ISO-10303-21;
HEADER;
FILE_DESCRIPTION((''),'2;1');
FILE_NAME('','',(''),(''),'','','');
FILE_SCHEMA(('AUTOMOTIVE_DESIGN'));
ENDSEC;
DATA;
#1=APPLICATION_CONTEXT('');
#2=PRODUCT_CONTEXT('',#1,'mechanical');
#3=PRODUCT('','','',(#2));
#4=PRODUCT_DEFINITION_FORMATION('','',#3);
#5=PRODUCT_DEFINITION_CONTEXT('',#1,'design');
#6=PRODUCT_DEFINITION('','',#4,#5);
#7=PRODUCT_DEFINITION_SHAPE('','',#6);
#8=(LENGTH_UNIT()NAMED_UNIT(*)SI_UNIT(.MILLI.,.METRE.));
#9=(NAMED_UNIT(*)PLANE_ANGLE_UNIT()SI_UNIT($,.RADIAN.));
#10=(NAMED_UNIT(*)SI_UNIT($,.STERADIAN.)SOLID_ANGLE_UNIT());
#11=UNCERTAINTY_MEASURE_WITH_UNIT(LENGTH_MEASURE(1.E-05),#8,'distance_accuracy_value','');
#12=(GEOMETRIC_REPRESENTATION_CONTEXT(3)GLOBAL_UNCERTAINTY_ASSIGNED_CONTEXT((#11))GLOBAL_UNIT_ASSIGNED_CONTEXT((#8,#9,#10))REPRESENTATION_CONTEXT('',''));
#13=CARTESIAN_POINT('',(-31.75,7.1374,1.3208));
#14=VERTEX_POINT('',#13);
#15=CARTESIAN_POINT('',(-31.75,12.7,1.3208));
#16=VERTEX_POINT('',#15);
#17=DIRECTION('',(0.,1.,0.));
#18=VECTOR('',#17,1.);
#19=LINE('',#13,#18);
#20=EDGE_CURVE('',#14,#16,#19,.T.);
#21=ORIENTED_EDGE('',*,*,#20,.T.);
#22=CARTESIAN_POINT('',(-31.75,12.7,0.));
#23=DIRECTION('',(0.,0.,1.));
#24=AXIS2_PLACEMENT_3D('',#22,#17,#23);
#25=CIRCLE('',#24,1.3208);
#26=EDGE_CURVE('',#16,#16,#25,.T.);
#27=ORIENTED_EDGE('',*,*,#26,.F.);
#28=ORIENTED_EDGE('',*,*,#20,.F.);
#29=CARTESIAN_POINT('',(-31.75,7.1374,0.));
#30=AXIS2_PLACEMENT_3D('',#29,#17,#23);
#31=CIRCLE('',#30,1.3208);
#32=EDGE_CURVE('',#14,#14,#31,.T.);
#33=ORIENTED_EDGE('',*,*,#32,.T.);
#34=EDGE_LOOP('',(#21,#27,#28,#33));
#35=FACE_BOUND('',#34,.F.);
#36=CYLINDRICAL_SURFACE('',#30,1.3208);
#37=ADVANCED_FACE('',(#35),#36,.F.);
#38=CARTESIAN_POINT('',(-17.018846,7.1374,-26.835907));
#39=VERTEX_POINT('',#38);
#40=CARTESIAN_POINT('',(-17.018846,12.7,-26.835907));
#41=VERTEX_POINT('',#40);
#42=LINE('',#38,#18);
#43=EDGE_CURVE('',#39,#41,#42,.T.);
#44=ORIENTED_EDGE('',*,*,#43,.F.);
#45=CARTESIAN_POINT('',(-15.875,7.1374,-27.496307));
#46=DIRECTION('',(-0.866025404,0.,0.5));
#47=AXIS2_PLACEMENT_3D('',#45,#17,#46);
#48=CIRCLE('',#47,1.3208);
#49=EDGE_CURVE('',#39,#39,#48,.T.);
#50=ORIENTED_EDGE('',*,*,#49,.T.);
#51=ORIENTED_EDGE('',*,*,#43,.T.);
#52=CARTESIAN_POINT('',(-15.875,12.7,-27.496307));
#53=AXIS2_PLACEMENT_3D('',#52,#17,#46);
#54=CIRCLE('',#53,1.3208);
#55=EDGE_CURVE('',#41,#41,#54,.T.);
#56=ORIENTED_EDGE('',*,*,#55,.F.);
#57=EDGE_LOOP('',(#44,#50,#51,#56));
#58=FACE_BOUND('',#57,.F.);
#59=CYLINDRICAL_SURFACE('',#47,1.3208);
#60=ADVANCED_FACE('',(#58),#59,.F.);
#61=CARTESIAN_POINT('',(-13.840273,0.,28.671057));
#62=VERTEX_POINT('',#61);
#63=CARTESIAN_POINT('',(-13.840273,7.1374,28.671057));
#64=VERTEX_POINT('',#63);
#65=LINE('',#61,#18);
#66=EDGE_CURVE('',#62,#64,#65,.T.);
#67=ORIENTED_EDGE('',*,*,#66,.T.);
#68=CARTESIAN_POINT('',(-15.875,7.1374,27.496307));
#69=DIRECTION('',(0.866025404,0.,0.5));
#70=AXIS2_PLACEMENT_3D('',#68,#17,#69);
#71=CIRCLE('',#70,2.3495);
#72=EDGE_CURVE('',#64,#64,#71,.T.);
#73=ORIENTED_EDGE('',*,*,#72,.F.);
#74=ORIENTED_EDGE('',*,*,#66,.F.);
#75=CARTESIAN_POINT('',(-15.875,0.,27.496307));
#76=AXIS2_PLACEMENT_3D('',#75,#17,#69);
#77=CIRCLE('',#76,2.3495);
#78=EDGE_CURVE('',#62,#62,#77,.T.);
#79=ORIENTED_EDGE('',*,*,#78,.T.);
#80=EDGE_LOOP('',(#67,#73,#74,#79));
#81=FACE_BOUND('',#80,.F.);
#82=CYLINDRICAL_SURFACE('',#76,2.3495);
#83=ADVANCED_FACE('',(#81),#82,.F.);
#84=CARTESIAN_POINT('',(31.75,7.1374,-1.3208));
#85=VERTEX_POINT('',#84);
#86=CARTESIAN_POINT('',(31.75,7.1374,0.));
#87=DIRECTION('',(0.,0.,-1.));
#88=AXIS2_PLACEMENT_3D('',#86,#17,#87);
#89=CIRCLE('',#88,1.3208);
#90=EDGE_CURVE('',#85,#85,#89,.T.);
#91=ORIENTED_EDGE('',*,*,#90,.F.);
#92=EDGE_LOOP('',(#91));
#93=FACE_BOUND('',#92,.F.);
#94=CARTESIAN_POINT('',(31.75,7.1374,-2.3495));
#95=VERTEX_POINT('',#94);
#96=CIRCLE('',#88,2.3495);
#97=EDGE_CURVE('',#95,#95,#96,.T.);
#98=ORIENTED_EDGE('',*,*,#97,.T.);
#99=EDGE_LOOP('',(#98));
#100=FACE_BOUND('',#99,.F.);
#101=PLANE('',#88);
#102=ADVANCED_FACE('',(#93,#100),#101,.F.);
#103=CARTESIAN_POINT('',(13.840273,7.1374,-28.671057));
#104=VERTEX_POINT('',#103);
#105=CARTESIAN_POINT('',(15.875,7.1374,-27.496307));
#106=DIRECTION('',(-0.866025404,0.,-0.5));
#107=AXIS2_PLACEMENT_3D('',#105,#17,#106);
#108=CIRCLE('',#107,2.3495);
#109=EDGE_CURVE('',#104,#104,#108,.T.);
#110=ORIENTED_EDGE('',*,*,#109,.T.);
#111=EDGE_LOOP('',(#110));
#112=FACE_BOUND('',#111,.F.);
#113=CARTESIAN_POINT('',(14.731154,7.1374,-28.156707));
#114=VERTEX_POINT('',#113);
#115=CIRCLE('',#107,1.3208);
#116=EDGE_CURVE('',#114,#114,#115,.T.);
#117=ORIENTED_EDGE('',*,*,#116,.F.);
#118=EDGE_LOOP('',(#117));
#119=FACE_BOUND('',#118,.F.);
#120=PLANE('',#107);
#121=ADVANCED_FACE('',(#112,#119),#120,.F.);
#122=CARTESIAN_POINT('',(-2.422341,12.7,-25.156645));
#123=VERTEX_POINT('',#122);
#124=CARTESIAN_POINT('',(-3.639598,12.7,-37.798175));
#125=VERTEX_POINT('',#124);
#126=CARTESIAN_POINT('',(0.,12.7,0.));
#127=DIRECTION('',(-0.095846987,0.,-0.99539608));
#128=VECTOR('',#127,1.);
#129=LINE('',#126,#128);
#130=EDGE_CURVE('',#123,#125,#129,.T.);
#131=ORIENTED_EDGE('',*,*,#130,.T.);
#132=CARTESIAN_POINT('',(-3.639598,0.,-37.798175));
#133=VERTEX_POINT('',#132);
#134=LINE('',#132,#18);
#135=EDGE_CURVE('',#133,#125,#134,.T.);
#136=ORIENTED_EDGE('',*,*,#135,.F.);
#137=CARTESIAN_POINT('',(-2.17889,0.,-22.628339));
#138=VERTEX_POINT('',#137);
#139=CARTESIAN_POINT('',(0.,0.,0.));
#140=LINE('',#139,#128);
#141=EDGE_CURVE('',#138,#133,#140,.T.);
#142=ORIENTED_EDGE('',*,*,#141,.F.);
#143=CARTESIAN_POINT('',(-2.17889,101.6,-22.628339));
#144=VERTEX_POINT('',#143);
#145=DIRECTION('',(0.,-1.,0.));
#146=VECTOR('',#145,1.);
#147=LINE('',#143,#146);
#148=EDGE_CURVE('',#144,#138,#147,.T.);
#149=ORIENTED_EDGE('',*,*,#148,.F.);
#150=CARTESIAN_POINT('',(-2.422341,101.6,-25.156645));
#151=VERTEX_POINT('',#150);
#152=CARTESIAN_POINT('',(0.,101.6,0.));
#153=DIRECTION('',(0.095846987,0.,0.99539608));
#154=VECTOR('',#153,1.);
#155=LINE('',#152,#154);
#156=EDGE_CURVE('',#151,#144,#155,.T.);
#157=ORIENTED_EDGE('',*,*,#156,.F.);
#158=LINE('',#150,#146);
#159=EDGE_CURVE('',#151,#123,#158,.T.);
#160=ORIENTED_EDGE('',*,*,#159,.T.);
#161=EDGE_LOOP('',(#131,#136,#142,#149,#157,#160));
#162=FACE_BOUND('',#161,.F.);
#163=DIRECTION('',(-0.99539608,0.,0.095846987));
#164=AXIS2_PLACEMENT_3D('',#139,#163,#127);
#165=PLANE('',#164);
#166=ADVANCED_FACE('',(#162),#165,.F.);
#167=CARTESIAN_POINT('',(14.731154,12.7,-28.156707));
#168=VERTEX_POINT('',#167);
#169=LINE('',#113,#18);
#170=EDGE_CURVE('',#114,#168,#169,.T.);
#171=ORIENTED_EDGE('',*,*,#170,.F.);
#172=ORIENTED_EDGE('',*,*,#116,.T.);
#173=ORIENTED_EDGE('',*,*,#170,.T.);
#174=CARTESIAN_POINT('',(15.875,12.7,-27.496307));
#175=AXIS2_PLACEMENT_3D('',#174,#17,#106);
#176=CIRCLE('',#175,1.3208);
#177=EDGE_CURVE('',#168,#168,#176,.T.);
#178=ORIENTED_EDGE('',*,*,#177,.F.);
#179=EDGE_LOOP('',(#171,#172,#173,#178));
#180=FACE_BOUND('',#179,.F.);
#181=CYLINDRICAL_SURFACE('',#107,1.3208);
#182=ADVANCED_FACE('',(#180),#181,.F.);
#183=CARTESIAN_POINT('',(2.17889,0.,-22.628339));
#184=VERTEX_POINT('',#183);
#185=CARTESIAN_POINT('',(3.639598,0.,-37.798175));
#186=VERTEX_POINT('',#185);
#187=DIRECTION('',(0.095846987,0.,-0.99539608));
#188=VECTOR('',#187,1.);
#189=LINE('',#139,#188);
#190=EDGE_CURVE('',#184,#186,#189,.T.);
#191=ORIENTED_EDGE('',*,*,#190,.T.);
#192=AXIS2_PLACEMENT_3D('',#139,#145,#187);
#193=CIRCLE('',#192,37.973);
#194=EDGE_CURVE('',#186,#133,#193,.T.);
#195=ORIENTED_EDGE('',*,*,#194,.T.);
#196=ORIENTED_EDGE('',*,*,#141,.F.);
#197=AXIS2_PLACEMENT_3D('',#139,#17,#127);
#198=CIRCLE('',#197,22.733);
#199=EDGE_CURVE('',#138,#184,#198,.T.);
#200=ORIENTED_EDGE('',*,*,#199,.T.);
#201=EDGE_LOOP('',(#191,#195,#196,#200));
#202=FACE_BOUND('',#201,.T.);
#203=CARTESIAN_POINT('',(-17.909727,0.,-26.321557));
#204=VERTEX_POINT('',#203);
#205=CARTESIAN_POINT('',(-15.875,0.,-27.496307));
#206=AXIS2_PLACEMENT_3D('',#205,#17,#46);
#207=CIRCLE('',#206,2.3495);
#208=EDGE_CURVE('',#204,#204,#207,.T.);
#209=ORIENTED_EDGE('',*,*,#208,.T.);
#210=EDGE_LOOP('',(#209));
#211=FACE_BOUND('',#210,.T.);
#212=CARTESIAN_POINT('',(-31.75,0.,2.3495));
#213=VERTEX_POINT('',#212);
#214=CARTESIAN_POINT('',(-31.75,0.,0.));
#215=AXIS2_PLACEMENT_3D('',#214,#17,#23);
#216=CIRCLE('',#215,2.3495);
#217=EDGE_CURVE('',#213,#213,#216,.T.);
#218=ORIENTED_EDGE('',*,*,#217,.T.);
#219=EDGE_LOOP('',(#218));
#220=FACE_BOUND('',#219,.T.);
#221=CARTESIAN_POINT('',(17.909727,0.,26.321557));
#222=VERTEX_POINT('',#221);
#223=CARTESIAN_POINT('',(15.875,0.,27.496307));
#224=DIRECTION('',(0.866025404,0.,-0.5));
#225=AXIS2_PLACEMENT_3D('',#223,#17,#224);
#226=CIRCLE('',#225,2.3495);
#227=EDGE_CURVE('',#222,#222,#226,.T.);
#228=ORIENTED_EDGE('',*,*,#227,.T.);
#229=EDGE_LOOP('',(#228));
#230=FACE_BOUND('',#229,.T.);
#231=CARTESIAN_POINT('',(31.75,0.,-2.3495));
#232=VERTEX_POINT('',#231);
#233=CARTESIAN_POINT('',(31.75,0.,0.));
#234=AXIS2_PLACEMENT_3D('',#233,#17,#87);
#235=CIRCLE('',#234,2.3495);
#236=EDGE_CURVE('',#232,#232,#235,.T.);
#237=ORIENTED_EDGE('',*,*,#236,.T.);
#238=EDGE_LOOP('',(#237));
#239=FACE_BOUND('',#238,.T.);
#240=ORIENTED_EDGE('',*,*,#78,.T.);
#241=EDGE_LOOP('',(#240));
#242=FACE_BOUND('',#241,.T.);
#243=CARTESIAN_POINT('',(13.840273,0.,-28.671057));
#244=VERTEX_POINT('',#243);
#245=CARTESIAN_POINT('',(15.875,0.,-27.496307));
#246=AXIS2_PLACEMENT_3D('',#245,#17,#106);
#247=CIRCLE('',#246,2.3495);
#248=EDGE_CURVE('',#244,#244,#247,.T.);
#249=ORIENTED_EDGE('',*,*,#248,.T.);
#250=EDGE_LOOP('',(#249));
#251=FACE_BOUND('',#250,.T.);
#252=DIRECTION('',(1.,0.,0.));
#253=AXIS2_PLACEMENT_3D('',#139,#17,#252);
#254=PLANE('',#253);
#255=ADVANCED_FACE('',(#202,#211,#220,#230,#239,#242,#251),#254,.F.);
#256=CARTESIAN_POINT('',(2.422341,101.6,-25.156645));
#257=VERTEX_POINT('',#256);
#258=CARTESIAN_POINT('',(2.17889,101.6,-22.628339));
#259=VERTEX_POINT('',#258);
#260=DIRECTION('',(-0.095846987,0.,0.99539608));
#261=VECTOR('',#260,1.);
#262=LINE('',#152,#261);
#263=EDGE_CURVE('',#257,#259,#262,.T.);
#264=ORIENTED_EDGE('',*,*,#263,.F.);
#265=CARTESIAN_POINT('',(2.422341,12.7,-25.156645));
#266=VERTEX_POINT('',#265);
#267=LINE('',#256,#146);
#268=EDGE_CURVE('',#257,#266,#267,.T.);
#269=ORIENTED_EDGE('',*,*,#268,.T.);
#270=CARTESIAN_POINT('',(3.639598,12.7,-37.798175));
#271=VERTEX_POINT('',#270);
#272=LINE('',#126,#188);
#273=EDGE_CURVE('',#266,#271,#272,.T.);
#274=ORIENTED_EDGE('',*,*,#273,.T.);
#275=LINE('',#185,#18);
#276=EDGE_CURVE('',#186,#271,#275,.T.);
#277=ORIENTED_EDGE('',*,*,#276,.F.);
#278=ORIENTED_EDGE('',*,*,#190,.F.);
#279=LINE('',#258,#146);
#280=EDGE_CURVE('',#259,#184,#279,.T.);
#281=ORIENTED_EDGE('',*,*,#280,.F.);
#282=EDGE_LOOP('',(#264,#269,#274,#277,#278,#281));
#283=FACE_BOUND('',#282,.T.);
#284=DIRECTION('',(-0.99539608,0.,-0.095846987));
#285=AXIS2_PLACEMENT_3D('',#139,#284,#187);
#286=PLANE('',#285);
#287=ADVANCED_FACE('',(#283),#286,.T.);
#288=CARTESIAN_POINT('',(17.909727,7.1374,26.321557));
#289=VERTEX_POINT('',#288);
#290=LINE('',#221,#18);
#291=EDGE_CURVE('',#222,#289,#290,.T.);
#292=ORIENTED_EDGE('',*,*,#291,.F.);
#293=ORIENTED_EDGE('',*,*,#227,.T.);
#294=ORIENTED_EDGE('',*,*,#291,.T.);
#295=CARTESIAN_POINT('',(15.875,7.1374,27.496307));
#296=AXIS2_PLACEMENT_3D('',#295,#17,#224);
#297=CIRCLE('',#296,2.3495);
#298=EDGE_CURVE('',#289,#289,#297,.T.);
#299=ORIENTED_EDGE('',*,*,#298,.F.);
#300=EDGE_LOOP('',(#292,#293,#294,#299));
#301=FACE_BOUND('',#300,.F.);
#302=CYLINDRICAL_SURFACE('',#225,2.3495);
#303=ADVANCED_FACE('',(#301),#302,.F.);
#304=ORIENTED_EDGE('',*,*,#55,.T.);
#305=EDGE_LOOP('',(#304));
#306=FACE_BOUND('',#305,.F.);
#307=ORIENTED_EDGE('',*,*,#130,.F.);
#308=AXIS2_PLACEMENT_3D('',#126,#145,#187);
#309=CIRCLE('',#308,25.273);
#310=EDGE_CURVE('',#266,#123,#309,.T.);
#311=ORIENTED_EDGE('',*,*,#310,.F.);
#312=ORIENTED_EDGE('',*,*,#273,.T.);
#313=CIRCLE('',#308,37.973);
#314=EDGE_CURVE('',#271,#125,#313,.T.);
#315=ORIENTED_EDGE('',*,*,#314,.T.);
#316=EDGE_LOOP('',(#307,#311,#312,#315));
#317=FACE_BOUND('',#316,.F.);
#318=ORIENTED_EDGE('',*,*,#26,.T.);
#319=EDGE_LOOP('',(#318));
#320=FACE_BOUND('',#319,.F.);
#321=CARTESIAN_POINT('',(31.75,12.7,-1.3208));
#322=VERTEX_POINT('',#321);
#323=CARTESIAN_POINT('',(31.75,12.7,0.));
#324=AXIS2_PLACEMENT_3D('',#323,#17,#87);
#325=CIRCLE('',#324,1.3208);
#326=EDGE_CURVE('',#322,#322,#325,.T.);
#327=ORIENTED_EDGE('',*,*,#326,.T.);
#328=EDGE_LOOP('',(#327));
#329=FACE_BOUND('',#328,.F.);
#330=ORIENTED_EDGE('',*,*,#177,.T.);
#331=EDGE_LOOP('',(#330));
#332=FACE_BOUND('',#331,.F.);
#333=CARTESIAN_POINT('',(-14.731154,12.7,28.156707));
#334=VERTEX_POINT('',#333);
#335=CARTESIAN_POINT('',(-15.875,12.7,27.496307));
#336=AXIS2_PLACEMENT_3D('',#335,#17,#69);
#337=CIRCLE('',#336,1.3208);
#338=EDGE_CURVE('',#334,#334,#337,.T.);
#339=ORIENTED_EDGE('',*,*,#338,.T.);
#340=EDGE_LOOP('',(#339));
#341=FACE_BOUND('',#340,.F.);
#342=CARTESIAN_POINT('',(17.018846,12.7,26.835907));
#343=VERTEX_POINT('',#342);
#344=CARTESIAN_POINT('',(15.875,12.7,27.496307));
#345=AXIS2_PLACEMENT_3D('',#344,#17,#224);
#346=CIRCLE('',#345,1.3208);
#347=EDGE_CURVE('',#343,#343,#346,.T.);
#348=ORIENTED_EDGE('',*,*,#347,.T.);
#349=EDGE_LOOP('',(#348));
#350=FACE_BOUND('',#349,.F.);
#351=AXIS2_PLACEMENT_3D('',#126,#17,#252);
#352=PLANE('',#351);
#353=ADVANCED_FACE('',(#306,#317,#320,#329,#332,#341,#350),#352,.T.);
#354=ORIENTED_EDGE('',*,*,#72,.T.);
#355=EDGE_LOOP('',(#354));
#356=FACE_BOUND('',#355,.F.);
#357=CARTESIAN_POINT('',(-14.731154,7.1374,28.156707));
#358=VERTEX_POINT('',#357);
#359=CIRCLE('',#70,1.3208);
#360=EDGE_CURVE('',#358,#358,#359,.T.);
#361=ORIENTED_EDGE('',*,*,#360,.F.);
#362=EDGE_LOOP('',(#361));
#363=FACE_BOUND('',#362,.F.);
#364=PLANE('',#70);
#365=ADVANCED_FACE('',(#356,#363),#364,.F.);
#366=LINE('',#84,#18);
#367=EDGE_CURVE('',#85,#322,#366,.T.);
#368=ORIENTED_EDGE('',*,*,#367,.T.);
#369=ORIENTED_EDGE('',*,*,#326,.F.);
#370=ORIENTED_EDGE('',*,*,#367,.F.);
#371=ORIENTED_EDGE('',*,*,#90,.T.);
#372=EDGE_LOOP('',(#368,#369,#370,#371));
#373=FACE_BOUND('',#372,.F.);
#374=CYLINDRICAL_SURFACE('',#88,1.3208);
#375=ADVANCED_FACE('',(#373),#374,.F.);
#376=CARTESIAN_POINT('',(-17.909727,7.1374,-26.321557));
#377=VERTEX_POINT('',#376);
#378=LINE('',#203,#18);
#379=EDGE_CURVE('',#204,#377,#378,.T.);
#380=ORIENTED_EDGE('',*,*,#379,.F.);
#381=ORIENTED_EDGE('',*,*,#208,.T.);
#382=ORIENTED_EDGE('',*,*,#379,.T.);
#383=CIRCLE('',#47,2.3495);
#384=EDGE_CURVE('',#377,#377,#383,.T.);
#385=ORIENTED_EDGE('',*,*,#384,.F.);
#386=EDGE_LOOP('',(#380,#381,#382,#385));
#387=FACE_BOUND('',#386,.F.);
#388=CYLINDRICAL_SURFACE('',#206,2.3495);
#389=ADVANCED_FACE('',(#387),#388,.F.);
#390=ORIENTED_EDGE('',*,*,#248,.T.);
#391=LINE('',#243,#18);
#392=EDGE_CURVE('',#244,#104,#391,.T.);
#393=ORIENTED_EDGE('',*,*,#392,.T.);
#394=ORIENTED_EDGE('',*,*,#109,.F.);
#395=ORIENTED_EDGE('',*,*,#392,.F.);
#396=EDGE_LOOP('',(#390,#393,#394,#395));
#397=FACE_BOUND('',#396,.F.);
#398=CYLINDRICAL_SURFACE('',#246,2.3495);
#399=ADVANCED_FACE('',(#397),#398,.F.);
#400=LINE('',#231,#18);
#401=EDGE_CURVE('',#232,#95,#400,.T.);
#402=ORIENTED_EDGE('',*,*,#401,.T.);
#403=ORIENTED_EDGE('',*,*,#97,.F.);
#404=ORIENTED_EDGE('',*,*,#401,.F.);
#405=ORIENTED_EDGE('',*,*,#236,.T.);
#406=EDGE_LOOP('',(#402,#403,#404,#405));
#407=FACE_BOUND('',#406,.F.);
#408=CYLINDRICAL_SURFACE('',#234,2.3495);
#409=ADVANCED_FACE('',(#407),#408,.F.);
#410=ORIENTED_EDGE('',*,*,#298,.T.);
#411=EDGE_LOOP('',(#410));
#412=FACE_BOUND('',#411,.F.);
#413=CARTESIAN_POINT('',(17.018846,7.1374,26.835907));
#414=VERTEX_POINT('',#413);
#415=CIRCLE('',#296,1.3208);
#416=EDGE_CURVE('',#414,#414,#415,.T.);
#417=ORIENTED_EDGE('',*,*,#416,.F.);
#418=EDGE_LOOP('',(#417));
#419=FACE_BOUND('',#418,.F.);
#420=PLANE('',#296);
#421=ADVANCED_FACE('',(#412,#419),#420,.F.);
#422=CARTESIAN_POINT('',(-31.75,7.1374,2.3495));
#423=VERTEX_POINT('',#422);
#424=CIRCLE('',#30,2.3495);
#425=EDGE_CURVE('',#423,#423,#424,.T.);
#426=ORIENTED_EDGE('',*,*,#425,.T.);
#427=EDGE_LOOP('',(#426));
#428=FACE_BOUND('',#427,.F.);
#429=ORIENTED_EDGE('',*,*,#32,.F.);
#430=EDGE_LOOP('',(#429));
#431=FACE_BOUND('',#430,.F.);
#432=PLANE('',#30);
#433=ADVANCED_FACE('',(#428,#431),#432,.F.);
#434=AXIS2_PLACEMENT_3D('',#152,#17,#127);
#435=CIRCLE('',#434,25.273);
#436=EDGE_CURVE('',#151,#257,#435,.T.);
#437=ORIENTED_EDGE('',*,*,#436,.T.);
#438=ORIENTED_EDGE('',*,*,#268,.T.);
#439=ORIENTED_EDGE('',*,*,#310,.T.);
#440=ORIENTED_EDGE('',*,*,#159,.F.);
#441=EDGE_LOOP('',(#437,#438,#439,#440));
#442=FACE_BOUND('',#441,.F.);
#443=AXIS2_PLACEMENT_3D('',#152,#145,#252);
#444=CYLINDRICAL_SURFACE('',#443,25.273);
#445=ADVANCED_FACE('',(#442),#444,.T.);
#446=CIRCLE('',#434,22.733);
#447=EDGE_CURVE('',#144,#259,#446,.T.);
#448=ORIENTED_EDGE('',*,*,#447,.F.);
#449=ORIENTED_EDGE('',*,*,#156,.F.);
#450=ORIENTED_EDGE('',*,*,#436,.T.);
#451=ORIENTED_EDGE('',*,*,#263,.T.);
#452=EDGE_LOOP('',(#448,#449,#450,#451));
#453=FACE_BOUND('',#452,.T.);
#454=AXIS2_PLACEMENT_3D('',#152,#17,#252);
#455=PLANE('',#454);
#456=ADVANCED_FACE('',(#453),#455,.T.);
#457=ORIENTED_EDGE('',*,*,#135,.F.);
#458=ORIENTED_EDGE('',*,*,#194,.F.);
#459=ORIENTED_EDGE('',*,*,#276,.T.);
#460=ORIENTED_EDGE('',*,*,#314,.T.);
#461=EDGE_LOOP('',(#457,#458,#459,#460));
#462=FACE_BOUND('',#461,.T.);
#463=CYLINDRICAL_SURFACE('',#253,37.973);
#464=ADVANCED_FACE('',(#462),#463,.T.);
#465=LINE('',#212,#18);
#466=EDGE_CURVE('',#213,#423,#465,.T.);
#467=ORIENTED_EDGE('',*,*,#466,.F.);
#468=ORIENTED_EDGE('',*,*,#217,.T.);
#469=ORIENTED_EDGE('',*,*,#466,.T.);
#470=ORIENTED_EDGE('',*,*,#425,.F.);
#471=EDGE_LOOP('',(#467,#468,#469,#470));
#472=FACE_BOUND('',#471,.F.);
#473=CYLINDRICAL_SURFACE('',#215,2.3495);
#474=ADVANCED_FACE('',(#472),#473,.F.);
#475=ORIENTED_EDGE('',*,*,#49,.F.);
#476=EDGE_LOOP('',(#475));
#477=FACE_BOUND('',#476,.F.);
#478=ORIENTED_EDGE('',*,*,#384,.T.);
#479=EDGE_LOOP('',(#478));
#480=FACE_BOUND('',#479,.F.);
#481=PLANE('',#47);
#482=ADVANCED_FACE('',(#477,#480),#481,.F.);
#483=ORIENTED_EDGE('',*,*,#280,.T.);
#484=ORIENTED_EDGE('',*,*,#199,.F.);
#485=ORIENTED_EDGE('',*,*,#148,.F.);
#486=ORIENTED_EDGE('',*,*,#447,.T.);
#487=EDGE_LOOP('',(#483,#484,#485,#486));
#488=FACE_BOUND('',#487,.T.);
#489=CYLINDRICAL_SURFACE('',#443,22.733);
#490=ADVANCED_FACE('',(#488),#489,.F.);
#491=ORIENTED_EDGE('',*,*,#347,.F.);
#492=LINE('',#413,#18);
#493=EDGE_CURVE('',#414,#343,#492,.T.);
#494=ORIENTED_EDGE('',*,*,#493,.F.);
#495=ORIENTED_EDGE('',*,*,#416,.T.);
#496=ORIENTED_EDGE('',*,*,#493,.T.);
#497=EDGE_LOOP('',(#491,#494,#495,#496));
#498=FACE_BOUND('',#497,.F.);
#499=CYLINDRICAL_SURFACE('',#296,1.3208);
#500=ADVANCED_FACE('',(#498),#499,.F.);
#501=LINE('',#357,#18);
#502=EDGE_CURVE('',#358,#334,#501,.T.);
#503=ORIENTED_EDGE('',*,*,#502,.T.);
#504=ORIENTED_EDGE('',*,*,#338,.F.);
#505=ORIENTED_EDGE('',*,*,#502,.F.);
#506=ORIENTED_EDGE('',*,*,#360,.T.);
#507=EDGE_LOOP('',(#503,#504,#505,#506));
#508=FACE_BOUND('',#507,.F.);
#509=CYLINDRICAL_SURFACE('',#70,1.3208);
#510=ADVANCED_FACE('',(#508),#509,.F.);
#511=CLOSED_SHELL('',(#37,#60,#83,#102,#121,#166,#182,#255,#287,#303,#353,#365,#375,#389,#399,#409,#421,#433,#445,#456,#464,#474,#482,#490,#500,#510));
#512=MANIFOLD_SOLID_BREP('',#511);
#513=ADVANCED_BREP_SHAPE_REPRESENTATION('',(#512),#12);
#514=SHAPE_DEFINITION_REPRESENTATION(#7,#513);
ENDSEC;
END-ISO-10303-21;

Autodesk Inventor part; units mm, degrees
ref_plane "YZ Plane" through (0, 0, 0) normal (1, 0, 0) x (0, 1, 0)
ref_plane "XZ Plane" through (0, 0, 0) normal (0, 1, 0) x (-1, 0, 0)
ref_plane "XY Plane" through (0, 0, 0) normal (0, 0, 1) x (1, 0, 0)
sketch "Sketch12" plane through (0, 0, 0) normal (0, 0, 1) x (1, 0, 0)
  line L0 (37.973, 0) -> (37.973, 12.7)
  line L1 (0, 0) -> (0, 101.6) construction
  line L2 (25.273, 101.6) -> (25.273, 12.7)
  line L3 (25.273, 12.7) -> (37.973, 12.7)
  line L4 (25.273, 101.6) -> (22.733, 101.6)
  line L5 (22.733, 101.6) -> (22.733, 0)
  line L6 (22.733, 0) -> (37.973, 0)
  line L7 (0, -20.32) -> (0, 121.92) projected
  dimension "d49" = 12.7
  dimension "d50" = 101.6
  dimension "d53" = 2.54
  dimension "d60" = 12.7
  dimension "d72" = 22.733
revolve "Revolution3" add sketch "Sketch12" angle 360 about axis through (0, 0, 0) along (0, 1, 0)
sketch "Sketch13" plane through (0, 0, 0) normal (0, -1, 0) x (1, 0, 0)
  line L0 (0, 0) -> (0, -37.973) construction
  circle A0 centre (0, 0) radius 37.973 construction
  line L1 (0, 0) -> (-3.6396, -37.7982)
  line L2 (0, 0) -> (3.6396, -37.7982)
  arc A1 (-3.6396, -37.7982) -> (3.6396, -37.7982) centre (0, 0) ccw
  dimension "d56" = 5.5
  dimension "d57" = 5.5
extrude "Extrusion5" cut sketch "Sketch13" against normal through all
sketch "Sketch17" plane through (0, 0, 0) normal (0, -1, 0) x (1, 0, 0)
  arc A0 (3.6396, -37.7982) -> (-3.6396, -37.7982) centre (0, 0) ccw projected
  point P0 (31.75, 0)
  dimension "d73" = 31.75
hole "Hole4" at (31.75, 0, 0) direction (0, 1, 0) diameter 2.6416 end through all counterbore diameter 4.699 counterbore depth 7.1374 thread size "6-32 UNC" class "2B" standard "ANSI Unified Screw Threads"
pattern_circular "Circular Pattern2" count 6 over 360 about axis through (0, -10, 0) along (0, 1, 0) of "Hole4"
equation "\"d56\" = 0.5 * angleForSlot"
equation "\"d57\" = 0.5 * angleForSlot"
equation "\"angleForSlot\" = 11deg"
properties part number "ExternalStationaryOuterRing" material "LCP Plastic"
